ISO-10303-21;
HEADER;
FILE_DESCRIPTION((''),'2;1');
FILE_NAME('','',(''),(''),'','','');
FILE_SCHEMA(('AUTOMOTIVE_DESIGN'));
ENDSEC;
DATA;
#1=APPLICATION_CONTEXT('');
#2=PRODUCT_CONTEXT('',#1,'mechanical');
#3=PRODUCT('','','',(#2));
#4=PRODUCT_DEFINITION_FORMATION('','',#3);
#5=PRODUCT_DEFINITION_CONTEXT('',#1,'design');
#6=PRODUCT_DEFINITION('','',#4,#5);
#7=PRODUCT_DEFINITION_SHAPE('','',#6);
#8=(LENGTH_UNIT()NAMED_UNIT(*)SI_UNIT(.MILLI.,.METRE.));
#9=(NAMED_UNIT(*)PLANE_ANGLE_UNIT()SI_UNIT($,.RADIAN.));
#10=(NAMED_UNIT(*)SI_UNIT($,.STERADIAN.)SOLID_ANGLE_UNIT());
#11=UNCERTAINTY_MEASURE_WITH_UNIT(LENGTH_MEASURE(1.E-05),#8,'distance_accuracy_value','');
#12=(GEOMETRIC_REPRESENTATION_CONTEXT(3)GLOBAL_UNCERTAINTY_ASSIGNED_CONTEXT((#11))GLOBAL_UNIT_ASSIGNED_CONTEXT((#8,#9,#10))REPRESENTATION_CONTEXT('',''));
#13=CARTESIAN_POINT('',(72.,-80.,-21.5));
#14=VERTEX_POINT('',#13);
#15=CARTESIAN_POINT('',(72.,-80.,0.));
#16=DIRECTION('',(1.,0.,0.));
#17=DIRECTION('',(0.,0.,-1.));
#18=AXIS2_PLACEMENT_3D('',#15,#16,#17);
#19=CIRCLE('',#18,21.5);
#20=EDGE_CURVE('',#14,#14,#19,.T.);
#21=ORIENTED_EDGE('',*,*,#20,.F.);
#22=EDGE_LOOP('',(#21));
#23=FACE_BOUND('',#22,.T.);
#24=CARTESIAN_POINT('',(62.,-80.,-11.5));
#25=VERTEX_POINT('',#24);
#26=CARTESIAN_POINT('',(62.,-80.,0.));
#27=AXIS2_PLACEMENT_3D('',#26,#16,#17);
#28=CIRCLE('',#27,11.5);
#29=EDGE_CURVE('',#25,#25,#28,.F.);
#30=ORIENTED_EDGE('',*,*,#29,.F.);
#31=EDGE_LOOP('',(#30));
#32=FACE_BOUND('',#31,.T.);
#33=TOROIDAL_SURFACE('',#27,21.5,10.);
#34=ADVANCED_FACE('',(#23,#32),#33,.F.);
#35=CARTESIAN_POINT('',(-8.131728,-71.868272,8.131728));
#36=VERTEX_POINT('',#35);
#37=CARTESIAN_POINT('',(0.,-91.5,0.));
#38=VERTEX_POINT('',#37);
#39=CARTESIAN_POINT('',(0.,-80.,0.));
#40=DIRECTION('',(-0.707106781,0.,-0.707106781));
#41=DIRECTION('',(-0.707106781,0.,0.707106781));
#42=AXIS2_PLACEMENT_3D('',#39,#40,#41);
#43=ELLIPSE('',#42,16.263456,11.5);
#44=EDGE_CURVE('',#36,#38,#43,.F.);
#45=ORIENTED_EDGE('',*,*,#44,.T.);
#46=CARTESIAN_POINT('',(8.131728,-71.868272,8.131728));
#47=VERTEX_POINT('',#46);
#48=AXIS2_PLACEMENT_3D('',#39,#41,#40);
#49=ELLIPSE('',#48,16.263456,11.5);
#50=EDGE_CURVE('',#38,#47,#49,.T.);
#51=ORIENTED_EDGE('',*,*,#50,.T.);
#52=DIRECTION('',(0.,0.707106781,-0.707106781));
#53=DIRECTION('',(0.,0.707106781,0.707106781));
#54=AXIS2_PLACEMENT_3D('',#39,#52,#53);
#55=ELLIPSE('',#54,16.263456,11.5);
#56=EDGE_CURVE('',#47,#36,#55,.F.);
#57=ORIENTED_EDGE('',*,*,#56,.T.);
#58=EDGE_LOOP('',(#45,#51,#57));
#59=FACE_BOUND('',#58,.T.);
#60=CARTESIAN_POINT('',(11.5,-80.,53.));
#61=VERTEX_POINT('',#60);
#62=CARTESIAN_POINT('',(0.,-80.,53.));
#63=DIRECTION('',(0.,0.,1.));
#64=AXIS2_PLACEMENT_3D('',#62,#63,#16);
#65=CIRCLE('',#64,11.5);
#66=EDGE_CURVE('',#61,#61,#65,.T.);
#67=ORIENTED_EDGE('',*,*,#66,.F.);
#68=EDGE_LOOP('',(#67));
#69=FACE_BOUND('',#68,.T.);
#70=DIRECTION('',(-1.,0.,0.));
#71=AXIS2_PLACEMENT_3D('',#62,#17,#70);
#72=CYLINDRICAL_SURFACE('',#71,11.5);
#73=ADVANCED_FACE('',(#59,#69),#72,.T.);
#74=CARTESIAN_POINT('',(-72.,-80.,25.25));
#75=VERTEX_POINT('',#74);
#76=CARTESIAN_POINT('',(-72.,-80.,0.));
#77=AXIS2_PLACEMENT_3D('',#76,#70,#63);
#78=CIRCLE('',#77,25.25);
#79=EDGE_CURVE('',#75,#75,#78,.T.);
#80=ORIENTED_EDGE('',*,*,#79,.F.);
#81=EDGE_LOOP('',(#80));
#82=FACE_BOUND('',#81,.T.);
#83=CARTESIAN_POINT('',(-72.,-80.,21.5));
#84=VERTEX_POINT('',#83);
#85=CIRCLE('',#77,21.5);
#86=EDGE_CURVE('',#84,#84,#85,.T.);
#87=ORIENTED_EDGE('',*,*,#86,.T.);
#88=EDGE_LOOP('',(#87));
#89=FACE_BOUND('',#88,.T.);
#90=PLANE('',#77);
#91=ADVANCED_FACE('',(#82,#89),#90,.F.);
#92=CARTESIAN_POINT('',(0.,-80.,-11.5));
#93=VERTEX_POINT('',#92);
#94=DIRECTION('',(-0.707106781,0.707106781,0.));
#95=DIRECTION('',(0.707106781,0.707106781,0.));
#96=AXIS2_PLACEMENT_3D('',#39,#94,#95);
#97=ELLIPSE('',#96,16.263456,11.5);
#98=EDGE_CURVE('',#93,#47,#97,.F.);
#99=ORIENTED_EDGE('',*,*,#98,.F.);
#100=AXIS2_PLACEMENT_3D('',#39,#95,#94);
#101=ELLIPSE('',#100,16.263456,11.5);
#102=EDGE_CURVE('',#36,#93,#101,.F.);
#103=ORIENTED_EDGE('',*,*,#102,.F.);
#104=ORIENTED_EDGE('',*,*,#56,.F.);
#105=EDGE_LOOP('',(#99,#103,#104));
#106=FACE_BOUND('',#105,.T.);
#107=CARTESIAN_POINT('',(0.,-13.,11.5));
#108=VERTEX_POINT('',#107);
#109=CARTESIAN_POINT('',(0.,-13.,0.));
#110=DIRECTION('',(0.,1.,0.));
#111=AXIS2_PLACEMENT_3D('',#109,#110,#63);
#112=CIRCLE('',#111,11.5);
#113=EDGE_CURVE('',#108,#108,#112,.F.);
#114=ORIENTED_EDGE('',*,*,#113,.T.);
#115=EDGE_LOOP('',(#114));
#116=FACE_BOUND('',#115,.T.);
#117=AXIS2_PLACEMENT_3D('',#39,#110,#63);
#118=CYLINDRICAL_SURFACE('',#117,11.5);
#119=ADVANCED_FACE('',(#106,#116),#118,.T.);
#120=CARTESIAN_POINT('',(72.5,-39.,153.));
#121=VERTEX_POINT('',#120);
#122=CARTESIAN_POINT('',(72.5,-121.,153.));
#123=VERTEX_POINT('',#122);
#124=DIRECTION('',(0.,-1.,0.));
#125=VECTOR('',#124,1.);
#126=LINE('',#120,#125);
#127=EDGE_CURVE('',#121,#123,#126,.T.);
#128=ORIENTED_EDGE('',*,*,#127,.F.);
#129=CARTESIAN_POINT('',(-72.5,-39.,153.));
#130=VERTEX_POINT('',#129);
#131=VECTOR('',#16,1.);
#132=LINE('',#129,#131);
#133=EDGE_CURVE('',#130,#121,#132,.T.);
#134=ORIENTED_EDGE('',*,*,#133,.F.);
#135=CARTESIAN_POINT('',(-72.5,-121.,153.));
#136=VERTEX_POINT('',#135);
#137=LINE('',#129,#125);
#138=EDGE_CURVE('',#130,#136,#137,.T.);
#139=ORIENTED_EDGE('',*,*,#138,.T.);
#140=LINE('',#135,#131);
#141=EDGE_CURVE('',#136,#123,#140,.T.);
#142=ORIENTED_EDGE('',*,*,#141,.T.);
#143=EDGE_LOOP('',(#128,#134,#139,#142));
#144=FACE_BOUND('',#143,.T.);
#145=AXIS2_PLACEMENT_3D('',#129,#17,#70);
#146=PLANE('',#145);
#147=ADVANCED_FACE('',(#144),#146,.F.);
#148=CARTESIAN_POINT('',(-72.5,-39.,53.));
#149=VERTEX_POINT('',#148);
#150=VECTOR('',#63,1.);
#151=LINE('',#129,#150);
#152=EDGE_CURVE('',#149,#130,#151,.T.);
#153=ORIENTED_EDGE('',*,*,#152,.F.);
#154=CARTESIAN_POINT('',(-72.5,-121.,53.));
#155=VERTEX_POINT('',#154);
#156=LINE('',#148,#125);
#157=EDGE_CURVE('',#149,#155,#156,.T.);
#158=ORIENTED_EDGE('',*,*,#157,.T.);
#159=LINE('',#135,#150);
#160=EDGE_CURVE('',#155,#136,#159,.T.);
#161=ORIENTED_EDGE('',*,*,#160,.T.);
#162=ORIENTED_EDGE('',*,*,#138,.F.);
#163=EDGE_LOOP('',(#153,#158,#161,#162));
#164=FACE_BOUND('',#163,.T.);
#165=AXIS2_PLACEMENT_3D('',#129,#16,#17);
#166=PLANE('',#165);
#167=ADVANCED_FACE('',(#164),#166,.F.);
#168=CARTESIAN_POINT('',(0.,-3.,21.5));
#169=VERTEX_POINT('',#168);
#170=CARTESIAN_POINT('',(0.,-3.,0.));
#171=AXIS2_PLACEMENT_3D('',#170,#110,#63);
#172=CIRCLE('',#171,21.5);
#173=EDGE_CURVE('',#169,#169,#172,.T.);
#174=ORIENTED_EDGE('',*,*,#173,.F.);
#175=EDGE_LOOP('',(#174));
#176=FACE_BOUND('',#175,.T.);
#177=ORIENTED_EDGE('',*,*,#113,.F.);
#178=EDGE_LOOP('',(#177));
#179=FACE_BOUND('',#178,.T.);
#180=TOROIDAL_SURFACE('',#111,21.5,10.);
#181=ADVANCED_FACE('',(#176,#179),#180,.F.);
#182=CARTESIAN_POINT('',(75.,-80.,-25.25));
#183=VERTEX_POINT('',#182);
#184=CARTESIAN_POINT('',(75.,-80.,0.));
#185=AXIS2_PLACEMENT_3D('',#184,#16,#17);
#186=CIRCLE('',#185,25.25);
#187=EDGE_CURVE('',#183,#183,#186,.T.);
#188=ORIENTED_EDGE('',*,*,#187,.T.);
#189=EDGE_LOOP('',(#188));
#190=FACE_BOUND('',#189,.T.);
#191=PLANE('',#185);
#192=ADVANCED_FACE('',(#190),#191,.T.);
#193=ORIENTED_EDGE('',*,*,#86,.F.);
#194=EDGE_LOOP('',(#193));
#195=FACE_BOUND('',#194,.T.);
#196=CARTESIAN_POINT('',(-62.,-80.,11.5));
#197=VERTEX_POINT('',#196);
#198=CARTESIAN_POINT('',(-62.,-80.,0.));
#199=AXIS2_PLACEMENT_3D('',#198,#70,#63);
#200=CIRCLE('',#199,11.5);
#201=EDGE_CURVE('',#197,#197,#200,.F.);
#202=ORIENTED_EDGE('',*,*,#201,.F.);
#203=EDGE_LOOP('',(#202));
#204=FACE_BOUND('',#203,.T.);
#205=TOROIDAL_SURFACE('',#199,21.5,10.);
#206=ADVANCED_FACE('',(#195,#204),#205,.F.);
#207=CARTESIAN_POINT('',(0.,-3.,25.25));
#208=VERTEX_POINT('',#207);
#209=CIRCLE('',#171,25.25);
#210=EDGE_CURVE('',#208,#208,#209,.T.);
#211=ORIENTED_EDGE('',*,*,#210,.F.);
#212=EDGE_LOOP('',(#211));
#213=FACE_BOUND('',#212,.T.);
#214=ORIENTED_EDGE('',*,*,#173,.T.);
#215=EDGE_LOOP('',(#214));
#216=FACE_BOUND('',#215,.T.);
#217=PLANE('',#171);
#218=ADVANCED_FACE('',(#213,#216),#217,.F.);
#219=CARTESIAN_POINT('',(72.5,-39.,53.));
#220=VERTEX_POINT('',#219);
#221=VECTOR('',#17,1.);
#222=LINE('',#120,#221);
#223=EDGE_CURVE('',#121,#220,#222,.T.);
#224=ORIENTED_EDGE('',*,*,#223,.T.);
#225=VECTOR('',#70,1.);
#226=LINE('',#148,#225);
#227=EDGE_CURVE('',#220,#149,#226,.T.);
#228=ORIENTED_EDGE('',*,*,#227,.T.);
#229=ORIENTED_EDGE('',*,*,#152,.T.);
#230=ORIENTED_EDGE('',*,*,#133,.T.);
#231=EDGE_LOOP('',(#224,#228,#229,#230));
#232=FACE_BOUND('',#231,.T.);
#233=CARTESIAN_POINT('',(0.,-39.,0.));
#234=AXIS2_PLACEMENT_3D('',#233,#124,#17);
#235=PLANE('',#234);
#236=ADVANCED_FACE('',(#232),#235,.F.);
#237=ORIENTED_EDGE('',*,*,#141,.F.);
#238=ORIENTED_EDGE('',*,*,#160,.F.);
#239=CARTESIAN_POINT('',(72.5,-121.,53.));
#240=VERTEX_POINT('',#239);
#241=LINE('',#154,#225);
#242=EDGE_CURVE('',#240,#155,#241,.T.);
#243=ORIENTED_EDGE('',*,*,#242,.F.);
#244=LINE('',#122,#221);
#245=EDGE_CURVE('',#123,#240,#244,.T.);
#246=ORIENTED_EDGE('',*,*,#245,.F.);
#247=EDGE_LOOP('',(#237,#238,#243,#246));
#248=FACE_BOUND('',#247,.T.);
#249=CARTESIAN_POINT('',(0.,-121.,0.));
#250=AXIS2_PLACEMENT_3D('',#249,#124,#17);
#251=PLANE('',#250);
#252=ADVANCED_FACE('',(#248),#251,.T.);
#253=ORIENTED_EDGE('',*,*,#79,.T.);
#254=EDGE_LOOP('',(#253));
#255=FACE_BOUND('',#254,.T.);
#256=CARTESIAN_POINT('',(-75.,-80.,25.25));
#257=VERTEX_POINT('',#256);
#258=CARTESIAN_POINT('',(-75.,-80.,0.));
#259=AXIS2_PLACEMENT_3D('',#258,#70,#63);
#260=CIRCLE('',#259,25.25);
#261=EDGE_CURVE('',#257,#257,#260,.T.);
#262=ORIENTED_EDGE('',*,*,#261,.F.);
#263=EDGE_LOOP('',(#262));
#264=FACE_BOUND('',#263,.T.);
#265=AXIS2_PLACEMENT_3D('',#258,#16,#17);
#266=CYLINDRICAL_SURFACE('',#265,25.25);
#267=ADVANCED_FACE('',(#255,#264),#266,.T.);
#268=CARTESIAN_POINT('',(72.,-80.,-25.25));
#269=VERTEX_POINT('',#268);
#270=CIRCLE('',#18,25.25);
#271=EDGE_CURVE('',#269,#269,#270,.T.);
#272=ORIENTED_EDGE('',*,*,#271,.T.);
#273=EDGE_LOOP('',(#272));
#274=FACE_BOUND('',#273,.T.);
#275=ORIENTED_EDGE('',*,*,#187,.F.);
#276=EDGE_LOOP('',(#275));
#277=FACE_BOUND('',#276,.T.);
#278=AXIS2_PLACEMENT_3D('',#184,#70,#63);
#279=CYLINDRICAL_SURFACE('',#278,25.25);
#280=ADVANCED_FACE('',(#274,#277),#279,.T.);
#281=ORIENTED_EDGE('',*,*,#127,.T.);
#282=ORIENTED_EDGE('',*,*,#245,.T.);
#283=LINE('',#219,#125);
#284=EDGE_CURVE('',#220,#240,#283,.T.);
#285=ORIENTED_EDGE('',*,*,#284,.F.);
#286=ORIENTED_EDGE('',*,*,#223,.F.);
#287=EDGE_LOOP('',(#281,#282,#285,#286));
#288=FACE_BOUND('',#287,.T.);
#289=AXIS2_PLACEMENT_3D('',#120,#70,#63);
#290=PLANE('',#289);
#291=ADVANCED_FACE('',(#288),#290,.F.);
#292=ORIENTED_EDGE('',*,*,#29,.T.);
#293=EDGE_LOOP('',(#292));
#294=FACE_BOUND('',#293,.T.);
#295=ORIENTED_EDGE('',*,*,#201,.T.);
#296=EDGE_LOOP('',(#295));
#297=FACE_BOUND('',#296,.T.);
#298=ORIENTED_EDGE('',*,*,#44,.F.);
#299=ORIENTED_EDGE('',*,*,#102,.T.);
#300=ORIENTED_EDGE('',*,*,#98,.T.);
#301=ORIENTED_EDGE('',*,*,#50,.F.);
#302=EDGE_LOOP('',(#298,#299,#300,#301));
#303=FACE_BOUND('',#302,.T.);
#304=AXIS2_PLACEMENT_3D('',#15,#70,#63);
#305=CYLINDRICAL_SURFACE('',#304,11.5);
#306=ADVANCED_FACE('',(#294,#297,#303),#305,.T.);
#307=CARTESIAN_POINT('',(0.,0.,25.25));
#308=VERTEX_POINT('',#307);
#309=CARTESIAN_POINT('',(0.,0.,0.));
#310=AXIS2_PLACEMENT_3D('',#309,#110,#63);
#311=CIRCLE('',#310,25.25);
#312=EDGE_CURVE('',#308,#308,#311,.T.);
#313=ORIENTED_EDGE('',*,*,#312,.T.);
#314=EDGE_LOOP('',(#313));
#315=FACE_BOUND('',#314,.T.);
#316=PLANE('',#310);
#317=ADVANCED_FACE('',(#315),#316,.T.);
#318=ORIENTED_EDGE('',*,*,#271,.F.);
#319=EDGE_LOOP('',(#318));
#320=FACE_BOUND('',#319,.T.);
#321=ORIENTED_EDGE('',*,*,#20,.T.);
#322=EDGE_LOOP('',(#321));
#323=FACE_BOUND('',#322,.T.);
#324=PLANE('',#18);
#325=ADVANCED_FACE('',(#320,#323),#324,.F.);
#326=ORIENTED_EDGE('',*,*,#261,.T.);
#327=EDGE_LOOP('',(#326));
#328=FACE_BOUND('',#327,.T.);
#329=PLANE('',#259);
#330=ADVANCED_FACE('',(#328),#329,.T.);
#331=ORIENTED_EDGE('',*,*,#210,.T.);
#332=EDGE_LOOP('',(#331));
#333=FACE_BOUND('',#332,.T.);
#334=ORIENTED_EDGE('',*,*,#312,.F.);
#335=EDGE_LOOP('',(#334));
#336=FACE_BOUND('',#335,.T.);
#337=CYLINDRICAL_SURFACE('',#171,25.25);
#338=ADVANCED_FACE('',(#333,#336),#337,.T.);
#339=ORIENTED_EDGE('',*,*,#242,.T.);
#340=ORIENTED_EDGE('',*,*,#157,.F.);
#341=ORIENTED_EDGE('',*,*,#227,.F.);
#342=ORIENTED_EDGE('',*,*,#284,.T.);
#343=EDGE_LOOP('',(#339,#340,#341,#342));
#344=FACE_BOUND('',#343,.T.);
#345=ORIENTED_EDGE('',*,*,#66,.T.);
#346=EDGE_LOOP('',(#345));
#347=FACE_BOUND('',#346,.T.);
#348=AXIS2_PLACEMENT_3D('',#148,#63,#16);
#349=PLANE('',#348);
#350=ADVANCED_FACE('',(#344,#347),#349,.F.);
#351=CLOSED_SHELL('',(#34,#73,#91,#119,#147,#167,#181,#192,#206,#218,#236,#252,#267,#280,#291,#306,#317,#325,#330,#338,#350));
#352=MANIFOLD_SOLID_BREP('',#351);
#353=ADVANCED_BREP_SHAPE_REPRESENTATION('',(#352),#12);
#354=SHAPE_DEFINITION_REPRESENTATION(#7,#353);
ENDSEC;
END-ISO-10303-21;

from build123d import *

# Parameters (mm, degrees)
SKETCH_2_R      = 25.25
EXTRUDE_1_DEPTH = 3
SKETCH_3_R      = 11.5
EXTRUDE_2_DEPTH = 77
SKETCH_4_R      = 11.5
EXTRUDE_3_DEPTH = 72
SKETCH_5_R      = 25.25
EXTRUDE_4_DEPTH = 3
EXTRUDE_START   = 3
SKETCH_6_R      = 25.25
EXTRUDE_5_DEPTH = 3
FILLET_1_R      = 10
SKETCH_7_R      = 11.5
EXTRUDE_6_DEPTH = 53
SKETCH_8_W      = 145
SKETCH_8_H      = 100
EXTRUDE_7_DEPTH = 41


with BuildPart() as part:
    # 스케치2 → 보스-돌출1 (new body)
    with BuildSketch(Plane(origin=(0, 0, 0), x_dir=(1, 0, 0), z_dir=(0, 1, 0))):
        Circle(SKETCH_2_R)
    extrude(amount=-EXTRUDE_1_DEPTH)

    # 스케치3 → 보스-돌출2 (add)
    with BuildSketch(Plane.XZ.offset(3)):
        Circle(SKETCH_3_R)
    extrude(amount=EXTRUDE_2_DEPTH)

    # 스케치4 → 보스-돌출3 (add, symmetric)
    with BuildSketch(Plane(origin=(0, 0, 0), x_dir=(0, 0, -1), z_dir=(1, 0, 0))):
        with Locations((0, -80)):
            Circle(SKETCH_4_R)
    extrude(amount=EXTRUDE_3_DEPTH, both=True)

    # 스케치5 → 보스-돌출4 (add)
    with BuildSketch(Plane(origin=(72, 0, 0), x_dir=(0, 0, -1), z_dir=(1, 0, 0))):
        with Locations((0, -80)):
            Circle(SKETCH_5_R)
    extrude(amount=EXTRUDE_4_DEPTH)

    # 스케치6 → 보스-돌출5 (add)
    with BuildSketch(Plane.ZY.offset(72).offset(EXTRUDE_START)):
        with Locations((0, -80)):
            Circle(SKETCH_6_R)
    extrude(amount=-EXTRUDE_5_DEPTH)

    # 필렛1
    fillet_1_edges = [part.edges().sort_by_distance(p)[0] for p in [
        (-72, -80, 11.5),
        (-11.5, -3, 0),
        (72, -80, 11.5),
    ]]
    fillet(fillet_1_edges, radius=FILLET_1_R)

    # 스케치7 → 보스-돌출6 (add)
    with BuildSketch(Plane.XY):
        with Locations((0, -80)):
            Circle(SKETCH_7_R)
    extrude(amount=EXTRUDE_6_DEPTH)

    # 스케치8 → 보스-돌출7 (add, symmetric)
    with BuildSketch(Plane(origin=(0, -80, 0), x_dir=(1, 0, 0), z_dir=(0, 1, 0))):
        with Locations((0, -103)):
            Rectangle(SKETCH_8_W, SKETCH_8_H)
    extrude(amount=EXTRUDE_7_DEPTH, both=True)


solid = part.part
